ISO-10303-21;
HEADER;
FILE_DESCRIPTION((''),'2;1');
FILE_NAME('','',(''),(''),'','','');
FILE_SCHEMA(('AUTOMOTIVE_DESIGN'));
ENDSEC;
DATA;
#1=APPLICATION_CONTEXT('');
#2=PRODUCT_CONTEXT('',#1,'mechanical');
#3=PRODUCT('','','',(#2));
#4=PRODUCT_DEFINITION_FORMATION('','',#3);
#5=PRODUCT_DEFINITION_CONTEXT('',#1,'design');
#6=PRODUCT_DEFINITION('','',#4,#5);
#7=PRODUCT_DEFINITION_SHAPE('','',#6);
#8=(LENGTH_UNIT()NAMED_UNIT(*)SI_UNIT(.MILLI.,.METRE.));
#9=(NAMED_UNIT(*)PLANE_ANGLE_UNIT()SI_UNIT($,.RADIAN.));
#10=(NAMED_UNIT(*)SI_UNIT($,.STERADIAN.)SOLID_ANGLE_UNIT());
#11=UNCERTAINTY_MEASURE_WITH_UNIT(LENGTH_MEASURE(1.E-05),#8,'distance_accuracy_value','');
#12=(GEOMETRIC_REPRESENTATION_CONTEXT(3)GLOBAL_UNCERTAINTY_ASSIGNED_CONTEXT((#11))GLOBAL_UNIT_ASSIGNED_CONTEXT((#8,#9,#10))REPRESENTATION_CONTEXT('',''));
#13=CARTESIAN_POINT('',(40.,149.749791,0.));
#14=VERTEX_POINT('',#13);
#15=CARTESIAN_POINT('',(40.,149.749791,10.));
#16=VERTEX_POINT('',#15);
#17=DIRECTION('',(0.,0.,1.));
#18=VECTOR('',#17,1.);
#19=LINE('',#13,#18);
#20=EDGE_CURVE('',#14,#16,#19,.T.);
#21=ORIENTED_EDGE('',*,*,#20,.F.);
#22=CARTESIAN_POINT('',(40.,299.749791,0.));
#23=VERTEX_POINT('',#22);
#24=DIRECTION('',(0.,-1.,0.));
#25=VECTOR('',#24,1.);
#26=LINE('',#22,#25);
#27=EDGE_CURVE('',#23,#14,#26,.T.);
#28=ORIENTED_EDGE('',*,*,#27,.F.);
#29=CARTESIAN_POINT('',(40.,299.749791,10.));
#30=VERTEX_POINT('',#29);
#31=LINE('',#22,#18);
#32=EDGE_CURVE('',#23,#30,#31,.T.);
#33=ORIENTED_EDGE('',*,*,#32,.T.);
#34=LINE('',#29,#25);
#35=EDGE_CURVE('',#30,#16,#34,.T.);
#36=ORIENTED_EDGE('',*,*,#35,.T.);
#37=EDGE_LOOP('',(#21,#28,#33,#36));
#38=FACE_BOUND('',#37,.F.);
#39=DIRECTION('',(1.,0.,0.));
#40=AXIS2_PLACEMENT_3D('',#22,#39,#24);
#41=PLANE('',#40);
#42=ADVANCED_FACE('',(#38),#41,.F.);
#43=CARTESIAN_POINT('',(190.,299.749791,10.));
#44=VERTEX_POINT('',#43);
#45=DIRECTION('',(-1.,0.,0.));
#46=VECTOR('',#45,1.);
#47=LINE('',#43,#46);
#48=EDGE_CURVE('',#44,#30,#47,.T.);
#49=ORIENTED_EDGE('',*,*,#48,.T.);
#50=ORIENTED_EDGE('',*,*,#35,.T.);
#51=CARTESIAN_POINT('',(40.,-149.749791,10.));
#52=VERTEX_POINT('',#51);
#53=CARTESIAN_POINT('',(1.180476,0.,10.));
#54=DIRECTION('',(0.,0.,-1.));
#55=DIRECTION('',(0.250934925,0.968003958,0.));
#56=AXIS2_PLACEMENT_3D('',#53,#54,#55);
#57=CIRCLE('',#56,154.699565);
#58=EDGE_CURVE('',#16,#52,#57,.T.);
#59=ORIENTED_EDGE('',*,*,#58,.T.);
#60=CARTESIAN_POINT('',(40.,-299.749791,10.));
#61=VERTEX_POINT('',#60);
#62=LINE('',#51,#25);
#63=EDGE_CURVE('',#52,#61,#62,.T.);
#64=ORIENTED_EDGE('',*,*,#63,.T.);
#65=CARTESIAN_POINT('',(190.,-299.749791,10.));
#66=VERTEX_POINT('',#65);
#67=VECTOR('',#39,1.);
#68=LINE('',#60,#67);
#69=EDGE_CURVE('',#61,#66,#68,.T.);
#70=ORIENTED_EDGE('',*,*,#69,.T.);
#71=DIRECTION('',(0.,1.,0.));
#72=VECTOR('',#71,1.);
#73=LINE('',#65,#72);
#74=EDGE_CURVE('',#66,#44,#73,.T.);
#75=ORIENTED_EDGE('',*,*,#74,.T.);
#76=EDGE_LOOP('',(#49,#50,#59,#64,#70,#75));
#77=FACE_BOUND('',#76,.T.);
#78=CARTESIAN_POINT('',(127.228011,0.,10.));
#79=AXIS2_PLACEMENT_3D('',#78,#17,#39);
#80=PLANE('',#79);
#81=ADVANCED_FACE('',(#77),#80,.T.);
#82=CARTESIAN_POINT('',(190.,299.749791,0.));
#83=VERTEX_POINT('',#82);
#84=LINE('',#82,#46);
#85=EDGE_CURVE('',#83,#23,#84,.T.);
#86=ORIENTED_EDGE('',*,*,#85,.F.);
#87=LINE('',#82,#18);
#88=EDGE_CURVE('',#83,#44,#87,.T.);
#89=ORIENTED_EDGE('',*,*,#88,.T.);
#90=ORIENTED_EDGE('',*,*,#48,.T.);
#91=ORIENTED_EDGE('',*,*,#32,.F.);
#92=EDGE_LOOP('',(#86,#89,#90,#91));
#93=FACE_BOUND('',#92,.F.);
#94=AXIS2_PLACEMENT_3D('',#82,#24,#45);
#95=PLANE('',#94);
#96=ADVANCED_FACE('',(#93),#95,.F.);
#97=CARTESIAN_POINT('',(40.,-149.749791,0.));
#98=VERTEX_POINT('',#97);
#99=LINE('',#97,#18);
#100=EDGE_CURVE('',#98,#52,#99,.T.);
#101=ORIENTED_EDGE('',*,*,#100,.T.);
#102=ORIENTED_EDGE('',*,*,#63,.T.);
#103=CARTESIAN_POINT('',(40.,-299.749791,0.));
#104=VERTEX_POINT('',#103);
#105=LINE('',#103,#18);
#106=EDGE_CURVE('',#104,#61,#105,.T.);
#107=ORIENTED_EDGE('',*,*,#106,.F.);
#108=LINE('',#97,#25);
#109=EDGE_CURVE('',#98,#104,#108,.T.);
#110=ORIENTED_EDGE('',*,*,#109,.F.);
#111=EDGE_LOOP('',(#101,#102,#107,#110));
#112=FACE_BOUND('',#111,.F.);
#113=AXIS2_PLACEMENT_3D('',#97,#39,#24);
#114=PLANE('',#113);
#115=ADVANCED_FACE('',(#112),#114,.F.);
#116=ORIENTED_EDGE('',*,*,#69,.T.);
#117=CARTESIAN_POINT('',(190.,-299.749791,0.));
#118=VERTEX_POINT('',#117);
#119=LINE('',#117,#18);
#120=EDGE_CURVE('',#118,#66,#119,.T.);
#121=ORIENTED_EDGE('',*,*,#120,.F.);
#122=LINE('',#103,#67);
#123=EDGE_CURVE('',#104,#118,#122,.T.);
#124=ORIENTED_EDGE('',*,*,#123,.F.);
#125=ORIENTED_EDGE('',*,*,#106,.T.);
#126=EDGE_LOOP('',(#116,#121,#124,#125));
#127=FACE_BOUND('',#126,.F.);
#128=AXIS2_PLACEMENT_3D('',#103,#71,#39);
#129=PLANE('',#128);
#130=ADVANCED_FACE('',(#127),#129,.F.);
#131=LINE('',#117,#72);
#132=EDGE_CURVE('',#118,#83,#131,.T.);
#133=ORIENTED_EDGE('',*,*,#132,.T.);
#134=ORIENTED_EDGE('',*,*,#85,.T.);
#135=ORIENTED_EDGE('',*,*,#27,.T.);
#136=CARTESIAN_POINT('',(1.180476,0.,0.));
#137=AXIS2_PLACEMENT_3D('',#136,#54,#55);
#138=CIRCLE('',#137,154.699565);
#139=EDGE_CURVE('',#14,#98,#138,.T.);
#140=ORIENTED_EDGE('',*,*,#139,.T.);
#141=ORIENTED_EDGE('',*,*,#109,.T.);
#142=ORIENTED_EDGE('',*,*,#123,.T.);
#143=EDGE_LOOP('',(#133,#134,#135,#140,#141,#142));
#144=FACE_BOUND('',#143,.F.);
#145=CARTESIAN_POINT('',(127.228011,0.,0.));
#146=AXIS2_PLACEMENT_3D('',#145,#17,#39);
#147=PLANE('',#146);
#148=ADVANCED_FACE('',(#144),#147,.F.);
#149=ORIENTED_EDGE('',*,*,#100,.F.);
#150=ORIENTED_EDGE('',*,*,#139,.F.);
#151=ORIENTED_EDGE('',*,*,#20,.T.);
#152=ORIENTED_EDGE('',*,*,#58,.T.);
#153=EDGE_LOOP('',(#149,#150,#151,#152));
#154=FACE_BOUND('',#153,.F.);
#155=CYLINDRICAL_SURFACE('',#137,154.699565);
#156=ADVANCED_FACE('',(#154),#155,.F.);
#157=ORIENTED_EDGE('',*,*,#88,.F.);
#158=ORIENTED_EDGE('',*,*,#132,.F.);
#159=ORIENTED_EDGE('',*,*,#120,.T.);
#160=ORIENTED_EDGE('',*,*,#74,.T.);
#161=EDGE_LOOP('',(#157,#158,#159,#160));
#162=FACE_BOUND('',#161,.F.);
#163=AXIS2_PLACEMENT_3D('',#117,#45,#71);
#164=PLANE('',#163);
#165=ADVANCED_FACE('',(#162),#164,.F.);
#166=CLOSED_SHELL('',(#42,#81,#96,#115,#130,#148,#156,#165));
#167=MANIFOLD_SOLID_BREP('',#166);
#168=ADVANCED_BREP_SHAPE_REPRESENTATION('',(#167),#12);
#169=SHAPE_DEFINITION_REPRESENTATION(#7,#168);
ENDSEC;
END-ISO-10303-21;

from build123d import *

# Parameters (mm, degrees)
F1_DEPTH = 10
F2_DEPTH = 10


with BuildPart() as f1:
    # F0 (on Top) → F1 (new body)
    with BuildSketch(Plane.XY):
        with BuildLine():
            ThreePointArc((40, 149.749791), (155.880041, 0), (40, -149.749791))
            Line((40, -149.749791), (40, -299.749791))
            Line((40, -299.749791), (190, -299.749791))
            Line((190, -299.749791), (190, 299.749791))
            Line((190, 299.749791), (40, 299.749791))
            Line((40, 299.749791), (40, 149.749791))
        make_face()
    extrude(amount=F1_DEPTH)

    # F0 (on Top) → F2 (join)
    with BuildSketch(Plane.XY):
        with BuildLine():
            ThreePointArc((40, 149.749791), (155.880041, 0), (40, -149.749791))
            Line((40, -149.749791), (40, -299.749791))
            Line((40, -299.749791), (190, -299.749791))
            Line((190, -299.749791), (190, 299.749791))
            Line((190, 299.749791), (40, 299.749791))
            Line((40, 299.749791), (40, 149.749791))
        make_face()
    extrude(amount=F2_DEPTH)


solid = f1.part
